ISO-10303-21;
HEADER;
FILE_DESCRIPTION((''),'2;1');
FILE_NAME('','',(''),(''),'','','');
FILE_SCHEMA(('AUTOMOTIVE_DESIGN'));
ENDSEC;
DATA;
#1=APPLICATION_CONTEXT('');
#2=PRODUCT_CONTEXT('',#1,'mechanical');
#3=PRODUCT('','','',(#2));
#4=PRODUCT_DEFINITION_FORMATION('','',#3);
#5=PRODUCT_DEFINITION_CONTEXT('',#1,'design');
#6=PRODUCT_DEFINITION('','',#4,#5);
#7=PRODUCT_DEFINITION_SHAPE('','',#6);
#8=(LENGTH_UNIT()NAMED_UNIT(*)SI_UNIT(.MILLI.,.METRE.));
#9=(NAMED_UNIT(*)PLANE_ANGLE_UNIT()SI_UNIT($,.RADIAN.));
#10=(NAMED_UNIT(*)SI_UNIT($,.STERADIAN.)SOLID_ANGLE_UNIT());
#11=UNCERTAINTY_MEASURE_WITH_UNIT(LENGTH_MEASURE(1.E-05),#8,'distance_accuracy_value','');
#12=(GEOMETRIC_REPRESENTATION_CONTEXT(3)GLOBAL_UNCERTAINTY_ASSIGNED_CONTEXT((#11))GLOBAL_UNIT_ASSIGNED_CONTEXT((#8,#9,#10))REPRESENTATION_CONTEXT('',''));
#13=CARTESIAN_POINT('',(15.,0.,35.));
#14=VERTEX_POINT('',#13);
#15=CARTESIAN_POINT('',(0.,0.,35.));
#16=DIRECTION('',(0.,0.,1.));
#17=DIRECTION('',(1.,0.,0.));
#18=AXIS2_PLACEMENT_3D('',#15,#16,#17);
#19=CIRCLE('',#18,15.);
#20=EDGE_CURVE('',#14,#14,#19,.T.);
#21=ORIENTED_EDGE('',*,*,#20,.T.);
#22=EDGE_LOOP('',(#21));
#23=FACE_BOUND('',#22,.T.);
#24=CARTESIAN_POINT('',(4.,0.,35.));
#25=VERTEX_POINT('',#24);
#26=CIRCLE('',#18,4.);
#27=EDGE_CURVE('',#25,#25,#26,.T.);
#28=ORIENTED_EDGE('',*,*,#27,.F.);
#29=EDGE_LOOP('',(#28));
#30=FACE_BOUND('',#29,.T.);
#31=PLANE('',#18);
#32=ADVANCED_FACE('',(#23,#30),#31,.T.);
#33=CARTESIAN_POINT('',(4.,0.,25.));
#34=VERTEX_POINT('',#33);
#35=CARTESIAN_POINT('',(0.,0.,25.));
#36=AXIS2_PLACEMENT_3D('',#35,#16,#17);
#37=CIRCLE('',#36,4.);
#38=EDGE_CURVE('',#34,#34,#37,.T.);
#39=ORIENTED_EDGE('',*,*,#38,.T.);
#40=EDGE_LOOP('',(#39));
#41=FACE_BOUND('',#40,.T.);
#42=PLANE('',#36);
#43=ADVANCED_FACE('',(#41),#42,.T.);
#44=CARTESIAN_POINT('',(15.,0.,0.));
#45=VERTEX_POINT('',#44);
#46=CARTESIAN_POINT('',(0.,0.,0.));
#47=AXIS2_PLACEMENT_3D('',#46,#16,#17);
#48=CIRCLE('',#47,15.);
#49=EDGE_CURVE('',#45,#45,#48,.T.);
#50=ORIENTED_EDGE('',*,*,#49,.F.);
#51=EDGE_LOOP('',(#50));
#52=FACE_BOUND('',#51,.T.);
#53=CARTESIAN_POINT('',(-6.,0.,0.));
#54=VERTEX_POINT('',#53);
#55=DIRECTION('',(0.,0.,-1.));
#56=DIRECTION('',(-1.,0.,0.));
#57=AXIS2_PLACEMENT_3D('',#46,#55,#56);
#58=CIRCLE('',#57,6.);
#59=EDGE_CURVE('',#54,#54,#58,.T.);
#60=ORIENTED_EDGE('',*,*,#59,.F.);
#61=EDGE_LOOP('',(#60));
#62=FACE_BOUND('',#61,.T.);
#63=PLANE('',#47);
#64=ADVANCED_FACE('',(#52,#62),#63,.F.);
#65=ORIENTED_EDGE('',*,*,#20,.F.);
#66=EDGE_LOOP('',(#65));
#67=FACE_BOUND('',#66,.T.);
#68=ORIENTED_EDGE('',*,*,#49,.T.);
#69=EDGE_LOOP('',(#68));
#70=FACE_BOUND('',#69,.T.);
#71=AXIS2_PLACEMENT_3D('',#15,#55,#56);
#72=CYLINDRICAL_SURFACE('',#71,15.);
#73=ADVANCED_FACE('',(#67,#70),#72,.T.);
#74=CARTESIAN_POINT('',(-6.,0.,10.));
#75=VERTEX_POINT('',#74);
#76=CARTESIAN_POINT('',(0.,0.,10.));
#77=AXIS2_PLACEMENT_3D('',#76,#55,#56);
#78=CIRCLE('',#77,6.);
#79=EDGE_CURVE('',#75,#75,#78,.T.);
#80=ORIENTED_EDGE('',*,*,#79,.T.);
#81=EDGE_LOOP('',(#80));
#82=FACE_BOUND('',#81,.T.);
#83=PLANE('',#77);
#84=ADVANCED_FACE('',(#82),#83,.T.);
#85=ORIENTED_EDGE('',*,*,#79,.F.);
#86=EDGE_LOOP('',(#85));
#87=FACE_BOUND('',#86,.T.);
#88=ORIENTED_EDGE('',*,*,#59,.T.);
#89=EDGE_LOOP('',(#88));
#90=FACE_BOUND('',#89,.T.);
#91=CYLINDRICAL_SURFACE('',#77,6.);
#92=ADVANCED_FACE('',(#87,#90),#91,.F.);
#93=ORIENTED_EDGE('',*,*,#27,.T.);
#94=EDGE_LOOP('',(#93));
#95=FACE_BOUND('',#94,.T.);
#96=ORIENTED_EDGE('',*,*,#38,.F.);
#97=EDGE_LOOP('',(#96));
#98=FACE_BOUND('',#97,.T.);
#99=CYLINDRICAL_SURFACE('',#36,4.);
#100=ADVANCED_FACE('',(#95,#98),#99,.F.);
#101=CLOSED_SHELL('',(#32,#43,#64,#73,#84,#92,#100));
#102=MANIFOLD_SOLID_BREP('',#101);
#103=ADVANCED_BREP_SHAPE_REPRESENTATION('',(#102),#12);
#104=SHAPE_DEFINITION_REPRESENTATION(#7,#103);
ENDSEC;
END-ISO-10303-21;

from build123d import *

# Parameters (mm, degrees)
SKETCH1_R          = 15
EXTRUDE1_DEPTH     = 35
SKETCH2_R          = 4
CUT_EXTRUDE1_DEPTH = 10
SKETCH3_R          = 6
CUT_EXTRUDE2_DEPTH = 10


with BuildPart() as part:
    # Sketch1 → Extrude1 (new body)
    with BuildSketch(Plane.XY):
        Circle(SKETCH1_R)
    extrude(amount=EXTRUDE1_DEPTH)

    # Sketch2 → Cut-Extrude1 (cut)
    with BuildSketch(Plane.XY.offset(35)):
        Circle(SKETCH2_R)
    extrude(amount=-CUT_EXTRUDE1_DEPTH, mode=Mode.SUBTRACT)

    # Sketch3 → Cut-Extrude2 (cut)
    with BuildSketch(Plane(origin=(0, 0, 0), x_dir=(-1, 0, 0), z_dir=(0, 0, -1))):
        Circle(SKETCH3_R)
    extrude(amount=-CUT_EXTRUDE2_DEPTH, mode=Mode.SUBTRACT)


solid = part.part
